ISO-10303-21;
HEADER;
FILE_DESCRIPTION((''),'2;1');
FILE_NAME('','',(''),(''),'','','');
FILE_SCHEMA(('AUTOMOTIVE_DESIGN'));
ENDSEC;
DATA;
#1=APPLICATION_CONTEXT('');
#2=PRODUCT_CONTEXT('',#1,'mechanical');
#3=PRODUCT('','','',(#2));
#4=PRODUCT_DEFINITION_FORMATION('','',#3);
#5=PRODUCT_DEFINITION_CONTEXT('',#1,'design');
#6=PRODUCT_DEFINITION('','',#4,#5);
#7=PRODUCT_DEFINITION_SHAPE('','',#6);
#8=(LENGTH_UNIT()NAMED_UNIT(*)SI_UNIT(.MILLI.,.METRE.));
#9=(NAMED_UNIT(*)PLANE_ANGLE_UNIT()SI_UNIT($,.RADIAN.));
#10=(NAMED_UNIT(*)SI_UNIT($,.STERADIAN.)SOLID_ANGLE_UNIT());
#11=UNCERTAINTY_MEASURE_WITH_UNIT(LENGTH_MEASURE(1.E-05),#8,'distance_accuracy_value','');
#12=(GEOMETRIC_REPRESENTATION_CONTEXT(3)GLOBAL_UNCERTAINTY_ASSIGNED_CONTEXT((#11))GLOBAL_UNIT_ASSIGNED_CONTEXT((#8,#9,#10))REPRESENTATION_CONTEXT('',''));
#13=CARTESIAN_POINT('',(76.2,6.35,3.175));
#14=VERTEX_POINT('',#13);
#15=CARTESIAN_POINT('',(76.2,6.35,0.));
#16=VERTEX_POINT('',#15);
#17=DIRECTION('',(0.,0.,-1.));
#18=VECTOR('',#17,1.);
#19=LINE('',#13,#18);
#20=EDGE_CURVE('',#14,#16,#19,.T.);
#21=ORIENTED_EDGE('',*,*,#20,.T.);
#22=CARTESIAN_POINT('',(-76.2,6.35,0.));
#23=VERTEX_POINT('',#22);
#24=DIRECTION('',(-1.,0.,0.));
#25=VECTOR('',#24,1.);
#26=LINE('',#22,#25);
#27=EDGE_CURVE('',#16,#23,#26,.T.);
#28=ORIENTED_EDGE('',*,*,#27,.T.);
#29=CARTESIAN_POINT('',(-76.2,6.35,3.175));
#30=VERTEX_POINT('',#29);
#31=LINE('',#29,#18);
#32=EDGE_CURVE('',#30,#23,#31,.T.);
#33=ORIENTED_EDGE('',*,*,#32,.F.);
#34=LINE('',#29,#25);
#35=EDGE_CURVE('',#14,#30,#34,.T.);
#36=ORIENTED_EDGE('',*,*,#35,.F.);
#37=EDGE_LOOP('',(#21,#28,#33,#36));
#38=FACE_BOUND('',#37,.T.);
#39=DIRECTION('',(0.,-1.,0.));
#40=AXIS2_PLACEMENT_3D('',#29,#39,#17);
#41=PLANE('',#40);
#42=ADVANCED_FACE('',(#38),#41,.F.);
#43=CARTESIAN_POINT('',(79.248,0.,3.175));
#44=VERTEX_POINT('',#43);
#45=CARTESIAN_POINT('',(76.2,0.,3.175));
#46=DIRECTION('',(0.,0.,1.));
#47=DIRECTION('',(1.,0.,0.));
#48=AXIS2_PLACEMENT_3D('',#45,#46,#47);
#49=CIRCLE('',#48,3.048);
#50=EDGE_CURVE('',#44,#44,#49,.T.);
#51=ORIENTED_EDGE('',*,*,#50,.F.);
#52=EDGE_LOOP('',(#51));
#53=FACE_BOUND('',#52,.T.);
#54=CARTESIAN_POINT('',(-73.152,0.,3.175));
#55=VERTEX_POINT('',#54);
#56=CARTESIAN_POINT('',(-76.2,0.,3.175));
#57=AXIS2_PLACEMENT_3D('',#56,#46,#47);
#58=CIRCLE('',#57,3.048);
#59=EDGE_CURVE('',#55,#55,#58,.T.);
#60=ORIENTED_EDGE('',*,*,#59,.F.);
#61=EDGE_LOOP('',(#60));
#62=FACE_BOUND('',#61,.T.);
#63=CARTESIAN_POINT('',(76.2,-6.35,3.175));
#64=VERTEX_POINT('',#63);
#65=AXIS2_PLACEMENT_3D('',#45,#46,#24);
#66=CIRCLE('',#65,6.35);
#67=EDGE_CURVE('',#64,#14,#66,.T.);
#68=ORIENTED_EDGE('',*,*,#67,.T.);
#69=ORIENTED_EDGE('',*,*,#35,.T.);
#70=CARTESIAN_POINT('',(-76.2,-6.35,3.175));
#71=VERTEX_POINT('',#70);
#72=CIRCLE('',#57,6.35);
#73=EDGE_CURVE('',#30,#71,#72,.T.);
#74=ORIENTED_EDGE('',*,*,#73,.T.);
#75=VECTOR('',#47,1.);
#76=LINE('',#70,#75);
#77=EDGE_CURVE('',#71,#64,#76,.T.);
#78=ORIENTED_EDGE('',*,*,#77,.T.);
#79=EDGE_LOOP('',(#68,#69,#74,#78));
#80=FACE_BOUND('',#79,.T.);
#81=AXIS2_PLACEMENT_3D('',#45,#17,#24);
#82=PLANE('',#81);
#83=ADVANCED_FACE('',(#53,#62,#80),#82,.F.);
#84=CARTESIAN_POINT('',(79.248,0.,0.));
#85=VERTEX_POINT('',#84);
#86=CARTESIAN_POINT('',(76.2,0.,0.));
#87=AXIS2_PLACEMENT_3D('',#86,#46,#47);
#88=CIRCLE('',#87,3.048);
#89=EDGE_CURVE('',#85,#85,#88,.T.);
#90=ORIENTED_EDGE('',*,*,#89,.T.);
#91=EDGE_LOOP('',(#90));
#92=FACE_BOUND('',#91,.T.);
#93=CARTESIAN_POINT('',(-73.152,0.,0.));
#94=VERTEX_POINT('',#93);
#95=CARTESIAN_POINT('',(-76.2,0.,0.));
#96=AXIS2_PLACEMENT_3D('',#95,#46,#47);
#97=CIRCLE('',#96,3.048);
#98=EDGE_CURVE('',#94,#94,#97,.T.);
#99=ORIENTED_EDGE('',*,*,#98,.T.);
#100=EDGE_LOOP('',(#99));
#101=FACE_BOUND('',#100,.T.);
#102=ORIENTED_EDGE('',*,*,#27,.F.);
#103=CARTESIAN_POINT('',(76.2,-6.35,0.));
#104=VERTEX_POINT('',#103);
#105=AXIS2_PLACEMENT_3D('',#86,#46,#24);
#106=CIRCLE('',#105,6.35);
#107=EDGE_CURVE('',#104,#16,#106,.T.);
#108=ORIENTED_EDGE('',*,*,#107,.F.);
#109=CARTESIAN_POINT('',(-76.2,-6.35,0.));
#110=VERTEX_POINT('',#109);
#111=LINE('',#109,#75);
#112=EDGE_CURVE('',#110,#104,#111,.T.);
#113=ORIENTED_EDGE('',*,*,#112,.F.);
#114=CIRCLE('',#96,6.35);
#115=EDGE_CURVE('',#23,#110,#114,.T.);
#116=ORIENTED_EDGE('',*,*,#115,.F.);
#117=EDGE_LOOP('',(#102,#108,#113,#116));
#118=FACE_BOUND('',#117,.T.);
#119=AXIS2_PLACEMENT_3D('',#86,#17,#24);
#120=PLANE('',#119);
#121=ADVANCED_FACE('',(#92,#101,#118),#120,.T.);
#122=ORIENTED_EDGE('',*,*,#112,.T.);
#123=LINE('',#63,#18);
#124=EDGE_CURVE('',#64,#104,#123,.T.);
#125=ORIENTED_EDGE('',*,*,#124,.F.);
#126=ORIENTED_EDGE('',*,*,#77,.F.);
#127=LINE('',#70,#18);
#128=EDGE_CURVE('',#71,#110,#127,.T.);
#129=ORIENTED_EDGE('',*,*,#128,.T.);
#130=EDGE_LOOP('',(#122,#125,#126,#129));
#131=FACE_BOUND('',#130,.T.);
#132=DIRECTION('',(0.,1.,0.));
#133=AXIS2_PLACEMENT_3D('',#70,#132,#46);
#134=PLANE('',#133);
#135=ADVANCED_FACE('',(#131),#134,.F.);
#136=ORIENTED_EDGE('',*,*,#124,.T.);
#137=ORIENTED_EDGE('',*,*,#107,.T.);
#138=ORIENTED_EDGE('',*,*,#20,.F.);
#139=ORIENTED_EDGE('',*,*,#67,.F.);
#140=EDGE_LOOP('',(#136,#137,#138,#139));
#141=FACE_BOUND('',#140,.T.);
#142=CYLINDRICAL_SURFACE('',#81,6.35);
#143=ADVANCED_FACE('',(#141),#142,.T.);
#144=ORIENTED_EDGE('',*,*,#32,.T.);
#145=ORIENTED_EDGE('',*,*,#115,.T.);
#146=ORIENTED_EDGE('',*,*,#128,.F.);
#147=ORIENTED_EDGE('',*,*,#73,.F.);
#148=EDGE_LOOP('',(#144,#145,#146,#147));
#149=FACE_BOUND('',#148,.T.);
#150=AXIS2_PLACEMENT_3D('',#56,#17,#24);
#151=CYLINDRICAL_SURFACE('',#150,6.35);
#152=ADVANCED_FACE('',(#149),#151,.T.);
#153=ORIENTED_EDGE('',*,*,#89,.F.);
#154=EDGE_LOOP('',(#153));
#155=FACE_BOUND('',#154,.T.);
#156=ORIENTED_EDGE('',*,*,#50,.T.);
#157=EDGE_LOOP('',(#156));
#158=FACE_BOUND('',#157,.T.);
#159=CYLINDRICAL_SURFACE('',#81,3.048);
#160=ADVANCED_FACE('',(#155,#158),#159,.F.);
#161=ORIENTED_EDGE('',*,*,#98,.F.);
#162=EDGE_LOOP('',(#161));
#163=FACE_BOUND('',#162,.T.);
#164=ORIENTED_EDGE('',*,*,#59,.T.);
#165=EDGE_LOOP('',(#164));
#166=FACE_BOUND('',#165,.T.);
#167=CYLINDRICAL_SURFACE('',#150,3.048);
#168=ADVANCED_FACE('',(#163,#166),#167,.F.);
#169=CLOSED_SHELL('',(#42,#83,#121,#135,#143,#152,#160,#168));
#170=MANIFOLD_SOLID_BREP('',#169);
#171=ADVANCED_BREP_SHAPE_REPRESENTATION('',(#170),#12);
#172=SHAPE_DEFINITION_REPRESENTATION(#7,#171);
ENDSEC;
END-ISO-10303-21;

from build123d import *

# Parameters (mm, degrees)
SKETCH1_R           = 3.048
BOSS_EXTRUDE1_DEPTH = 3.175


with BuildPart() as part:
    # Sketch1 → Boss-Extrude1 (new body)
    with BuildSketch(Plane.XY):
        with BuildLine():
            Line((-76.2, -6.35), (76.2, -6.35))
            ThreePointArc((76.2, -6.35), (82.55, 0), (76.2, 6.35))
            Line((76.2, 6.35), (-76.2, 6.35))
            ThreePointArc((-76.2, 6.35), (-82.55, 0), (-76.2, -6.35))
        make_face()
        with Locations((-76.2, 0)):
            Circle(SKETCH1_R, mode=Mode.SUBTRACT)
        with Locations((76.2, 0)):
            Circle(SKETCH1_R, mode=Mode.SUBTRACT)
    extrude(amount=BOSS_EXTRUDE1_DEPTH)


solid = part.part
